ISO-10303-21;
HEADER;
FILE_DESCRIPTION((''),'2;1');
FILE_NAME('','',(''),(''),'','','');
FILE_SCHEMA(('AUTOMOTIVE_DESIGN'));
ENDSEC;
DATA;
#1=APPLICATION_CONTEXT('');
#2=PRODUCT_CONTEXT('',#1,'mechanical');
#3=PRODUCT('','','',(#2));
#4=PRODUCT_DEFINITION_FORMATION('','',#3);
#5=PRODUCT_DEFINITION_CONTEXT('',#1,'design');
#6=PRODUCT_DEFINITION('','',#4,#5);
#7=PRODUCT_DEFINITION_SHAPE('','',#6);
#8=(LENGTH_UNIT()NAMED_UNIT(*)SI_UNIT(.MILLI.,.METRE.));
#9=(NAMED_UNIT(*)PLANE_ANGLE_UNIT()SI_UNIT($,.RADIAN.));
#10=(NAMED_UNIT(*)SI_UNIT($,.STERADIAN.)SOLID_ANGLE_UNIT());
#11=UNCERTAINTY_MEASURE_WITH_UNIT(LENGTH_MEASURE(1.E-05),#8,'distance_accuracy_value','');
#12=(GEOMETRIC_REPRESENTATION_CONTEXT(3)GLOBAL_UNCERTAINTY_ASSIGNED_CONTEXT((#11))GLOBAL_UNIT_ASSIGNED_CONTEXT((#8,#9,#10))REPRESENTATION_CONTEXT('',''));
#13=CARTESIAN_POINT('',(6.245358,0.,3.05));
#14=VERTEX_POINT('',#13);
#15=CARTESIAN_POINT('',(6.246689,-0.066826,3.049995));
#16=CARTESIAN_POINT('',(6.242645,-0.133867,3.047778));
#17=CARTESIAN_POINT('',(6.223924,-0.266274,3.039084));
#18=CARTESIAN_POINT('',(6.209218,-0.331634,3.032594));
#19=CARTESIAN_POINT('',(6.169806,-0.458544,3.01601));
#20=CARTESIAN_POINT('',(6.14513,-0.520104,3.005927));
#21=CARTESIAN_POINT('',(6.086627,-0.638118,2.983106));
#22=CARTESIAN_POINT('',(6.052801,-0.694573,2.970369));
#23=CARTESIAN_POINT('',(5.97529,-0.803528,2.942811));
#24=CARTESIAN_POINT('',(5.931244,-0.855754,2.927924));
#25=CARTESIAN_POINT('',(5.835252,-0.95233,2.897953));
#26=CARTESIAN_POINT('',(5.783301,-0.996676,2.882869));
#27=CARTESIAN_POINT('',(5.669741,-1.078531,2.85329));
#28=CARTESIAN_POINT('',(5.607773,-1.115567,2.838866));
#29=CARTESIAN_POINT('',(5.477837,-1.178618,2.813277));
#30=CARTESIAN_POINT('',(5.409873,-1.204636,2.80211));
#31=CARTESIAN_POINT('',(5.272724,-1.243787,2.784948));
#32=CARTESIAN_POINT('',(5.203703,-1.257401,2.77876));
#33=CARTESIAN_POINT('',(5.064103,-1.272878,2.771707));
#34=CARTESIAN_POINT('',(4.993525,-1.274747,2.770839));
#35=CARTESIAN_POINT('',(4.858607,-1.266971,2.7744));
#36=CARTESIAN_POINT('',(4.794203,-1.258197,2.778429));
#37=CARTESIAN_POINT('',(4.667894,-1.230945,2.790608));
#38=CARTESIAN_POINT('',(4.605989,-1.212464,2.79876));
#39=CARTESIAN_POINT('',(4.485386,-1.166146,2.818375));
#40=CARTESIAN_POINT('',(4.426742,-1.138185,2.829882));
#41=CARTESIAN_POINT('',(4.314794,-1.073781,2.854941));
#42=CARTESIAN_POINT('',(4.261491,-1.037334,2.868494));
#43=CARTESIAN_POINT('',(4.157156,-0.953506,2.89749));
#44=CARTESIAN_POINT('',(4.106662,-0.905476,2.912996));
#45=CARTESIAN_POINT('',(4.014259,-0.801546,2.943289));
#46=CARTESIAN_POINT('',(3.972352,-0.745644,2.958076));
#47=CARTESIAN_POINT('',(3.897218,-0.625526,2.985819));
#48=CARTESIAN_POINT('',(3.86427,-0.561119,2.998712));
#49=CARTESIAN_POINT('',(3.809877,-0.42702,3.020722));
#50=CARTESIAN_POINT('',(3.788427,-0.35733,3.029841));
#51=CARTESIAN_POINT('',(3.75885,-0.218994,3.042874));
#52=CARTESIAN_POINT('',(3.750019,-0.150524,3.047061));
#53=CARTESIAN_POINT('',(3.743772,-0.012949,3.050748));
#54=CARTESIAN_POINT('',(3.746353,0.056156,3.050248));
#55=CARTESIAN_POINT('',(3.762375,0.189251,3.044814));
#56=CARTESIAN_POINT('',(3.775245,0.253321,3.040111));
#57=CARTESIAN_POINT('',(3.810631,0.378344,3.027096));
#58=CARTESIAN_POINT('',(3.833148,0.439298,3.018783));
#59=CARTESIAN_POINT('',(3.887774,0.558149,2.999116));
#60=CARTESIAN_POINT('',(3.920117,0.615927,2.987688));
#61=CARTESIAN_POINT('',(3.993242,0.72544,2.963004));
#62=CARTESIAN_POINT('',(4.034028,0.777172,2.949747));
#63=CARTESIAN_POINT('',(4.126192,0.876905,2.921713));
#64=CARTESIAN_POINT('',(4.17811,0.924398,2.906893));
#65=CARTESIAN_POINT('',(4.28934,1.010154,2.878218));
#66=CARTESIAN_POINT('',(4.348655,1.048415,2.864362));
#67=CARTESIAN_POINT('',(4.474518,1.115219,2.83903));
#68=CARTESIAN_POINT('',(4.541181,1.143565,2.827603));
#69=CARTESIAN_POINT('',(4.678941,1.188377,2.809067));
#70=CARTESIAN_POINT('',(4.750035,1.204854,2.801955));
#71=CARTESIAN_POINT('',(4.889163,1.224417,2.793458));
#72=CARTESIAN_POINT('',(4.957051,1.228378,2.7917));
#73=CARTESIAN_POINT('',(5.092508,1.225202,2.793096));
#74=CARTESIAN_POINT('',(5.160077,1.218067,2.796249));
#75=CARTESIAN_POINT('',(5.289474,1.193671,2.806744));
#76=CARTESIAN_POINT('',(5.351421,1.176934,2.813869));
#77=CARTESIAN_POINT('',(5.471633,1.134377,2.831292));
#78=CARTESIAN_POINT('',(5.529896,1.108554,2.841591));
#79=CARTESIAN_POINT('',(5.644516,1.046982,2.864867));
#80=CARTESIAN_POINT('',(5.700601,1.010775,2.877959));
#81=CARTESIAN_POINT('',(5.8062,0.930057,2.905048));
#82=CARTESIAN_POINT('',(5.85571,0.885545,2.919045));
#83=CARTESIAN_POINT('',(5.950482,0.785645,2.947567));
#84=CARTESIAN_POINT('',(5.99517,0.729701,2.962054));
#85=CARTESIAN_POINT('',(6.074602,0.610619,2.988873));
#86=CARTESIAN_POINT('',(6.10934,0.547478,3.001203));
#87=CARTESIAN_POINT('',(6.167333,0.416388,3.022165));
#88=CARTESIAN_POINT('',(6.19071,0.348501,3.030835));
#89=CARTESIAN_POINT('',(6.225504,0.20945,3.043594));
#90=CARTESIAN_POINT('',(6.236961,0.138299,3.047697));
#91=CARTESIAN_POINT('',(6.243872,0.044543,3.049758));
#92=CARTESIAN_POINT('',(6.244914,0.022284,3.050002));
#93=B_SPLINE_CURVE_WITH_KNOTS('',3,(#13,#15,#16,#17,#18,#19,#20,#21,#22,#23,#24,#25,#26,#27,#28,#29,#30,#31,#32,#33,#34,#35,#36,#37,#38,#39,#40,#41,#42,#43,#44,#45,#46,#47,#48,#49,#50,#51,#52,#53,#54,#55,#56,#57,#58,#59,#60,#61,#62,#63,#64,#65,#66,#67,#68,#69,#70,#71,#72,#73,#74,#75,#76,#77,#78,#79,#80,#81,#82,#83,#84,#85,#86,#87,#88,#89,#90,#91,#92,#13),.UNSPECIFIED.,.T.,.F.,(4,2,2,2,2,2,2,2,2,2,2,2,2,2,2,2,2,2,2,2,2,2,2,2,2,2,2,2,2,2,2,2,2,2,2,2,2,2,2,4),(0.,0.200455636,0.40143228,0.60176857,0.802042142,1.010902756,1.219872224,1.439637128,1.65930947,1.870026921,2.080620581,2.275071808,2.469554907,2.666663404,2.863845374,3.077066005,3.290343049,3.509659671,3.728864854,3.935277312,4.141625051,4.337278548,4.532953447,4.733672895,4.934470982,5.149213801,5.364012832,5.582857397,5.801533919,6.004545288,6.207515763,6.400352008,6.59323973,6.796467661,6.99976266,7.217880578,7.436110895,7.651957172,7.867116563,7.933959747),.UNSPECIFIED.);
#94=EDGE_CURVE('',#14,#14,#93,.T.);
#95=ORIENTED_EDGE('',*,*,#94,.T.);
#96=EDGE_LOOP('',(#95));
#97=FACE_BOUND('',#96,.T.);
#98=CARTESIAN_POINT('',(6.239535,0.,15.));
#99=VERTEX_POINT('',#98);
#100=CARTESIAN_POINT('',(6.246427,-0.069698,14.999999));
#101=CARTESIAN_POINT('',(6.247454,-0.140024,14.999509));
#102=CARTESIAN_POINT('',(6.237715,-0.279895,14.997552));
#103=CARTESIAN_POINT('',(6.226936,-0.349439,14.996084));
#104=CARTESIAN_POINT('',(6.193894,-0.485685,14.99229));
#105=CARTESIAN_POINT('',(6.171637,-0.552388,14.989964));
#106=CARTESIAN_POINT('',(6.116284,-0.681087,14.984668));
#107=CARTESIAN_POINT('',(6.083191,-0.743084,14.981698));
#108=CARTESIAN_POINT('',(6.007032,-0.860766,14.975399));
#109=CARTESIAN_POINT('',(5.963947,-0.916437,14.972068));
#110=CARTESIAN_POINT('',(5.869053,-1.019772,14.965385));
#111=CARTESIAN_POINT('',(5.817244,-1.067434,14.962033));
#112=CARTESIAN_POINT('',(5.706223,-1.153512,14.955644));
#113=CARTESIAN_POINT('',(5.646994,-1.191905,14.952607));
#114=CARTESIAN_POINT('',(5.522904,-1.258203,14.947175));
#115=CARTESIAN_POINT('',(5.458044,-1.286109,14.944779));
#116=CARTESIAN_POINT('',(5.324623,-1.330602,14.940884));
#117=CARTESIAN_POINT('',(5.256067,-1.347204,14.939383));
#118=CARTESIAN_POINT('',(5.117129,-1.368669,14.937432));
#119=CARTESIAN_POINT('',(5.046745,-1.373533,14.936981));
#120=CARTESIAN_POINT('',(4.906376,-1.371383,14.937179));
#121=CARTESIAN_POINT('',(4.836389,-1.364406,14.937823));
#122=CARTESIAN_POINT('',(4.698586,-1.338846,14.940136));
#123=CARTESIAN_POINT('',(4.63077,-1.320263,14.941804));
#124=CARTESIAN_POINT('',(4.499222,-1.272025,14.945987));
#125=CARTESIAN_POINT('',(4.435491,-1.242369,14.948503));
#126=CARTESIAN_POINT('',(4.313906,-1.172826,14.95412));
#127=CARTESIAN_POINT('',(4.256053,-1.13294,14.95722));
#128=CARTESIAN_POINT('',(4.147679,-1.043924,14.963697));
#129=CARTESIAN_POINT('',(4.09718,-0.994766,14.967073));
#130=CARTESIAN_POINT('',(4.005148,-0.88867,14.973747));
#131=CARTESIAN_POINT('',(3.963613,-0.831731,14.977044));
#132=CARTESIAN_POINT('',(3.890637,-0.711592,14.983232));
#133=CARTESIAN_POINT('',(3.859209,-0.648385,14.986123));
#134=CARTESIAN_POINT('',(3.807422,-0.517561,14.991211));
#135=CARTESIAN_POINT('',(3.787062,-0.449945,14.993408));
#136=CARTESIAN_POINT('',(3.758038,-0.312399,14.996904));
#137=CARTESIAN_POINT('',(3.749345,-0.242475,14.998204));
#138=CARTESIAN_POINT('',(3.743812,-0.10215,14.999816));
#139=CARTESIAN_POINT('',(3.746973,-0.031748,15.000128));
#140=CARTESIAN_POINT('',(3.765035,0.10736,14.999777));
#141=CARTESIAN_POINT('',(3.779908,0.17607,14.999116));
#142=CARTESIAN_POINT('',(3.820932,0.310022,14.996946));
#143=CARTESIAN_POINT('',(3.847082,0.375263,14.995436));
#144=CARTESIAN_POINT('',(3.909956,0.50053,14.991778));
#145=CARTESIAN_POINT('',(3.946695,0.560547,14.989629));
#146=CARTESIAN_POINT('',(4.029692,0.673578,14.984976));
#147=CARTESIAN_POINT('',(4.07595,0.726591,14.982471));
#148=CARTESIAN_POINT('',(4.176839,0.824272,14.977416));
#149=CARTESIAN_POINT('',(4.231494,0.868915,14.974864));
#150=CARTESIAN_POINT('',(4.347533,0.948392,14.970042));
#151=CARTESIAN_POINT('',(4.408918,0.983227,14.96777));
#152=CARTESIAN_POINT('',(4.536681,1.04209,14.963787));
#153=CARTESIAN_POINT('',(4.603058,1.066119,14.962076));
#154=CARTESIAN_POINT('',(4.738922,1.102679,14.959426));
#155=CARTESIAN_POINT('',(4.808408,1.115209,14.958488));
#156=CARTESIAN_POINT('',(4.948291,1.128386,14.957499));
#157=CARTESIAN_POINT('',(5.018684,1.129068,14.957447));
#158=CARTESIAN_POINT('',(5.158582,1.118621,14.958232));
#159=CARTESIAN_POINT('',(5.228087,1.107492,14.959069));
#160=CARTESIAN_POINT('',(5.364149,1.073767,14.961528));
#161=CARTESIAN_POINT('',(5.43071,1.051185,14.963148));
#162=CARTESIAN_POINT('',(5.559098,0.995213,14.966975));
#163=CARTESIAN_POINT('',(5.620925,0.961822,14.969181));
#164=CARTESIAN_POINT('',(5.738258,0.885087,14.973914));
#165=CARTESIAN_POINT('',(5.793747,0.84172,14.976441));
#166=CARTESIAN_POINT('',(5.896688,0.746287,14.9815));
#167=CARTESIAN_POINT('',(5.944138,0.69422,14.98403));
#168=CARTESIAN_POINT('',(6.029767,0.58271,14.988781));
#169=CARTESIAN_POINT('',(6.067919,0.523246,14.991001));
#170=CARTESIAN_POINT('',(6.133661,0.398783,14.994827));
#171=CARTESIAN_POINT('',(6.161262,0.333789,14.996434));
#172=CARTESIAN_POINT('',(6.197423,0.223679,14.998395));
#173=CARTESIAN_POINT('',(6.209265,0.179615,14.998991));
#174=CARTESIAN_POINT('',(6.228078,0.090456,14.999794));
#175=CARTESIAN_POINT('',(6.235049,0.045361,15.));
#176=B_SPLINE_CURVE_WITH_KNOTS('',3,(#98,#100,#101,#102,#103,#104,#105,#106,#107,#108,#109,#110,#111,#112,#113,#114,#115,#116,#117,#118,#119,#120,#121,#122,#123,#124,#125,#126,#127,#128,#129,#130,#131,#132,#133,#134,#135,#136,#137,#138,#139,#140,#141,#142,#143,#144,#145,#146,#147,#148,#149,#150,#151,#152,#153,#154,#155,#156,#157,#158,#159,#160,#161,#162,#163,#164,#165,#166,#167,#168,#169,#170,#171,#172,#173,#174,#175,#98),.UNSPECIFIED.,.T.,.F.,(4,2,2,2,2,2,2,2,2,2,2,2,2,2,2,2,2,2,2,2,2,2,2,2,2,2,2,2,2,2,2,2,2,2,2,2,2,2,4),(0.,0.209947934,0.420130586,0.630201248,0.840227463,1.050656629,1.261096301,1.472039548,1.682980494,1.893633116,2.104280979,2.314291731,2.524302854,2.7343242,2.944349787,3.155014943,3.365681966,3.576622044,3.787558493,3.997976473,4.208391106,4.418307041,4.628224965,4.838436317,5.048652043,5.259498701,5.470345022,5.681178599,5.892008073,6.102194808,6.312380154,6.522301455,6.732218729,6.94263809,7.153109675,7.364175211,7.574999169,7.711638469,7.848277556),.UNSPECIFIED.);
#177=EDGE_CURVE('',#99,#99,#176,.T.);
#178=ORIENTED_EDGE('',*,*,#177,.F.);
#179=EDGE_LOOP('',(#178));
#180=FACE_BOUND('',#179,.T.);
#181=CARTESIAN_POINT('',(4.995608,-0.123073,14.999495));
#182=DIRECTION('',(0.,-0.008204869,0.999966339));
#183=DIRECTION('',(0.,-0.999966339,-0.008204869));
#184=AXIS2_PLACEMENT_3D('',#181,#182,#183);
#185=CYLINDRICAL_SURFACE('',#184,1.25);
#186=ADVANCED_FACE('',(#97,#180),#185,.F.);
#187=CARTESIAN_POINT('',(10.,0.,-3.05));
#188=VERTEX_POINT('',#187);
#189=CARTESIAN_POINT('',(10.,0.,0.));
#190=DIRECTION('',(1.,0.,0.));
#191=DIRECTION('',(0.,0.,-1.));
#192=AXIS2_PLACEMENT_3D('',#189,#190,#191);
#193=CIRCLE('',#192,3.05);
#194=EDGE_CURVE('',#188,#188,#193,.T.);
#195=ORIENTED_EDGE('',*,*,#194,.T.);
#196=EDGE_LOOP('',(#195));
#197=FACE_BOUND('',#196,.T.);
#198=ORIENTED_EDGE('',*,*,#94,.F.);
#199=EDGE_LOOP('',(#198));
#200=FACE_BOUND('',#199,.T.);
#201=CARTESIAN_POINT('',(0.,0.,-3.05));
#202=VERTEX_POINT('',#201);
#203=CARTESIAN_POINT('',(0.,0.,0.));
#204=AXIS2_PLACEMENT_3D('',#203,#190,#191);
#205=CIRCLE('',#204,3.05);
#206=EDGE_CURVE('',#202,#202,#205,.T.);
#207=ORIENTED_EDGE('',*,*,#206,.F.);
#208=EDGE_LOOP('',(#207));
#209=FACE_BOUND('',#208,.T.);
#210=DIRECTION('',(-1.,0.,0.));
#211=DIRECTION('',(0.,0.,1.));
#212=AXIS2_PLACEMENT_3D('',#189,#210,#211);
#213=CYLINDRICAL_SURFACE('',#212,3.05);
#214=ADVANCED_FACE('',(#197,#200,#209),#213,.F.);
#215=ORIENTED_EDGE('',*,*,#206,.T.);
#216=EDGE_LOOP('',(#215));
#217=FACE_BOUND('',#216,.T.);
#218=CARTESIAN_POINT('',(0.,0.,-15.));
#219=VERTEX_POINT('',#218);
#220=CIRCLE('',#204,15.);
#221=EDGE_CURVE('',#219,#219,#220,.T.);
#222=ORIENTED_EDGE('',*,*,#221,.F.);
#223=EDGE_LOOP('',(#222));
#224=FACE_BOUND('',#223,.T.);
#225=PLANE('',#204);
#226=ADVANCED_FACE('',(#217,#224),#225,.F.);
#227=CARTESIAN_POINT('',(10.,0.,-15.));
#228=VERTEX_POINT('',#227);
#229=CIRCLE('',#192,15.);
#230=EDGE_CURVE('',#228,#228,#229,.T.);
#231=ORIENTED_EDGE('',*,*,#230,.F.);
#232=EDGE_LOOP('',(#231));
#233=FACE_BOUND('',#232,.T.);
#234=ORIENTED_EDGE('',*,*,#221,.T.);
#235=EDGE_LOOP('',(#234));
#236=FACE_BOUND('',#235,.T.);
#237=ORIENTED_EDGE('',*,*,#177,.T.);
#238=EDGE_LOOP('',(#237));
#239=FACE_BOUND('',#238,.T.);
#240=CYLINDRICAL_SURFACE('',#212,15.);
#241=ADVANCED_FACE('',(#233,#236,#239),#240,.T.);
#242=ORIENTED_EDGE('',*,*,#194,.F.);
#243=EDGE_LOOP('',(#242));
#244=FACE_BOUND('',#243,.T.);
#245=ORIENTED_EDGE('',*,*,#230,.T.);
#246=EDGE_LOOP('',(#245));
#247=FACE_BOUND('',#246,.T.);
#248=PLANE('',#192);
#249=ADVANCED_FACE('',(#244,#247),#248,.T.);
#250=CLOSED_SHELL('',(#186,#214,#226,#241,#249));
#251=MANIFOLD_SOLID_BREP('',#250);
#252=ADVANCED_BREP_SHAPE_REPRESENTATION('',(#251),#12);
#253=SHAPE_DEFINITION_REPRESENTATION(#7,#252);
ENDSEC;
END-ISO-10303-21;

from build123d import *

# Parameters (mm, degrees)
ESQUISSE1_R            = 15
ESQUISSE1_R_2          = 3.05
BOSS_EXTRU_1_DEPTH     = 10
TROU_TARAUD_M31_REACH  = 35.966
TROU_TARAUD_M31_BORE_R = 1.25


with BuildPart() as part:
    # Esquisse1 → Boss.-Extru.1 (new body)
    with BuildSketch(Plane(origin=(0, 0, 0), x_dir=(0, 0, -1), z_dir=(1, 0, 0))):
        Circle(ESQUISSE1_R)
        Circle(ESQUISSE1_R_2, mode=Mode.SUBTRACT)
    extrude(amount=BOSS_EXTRU_1_DEPTH)

    # Trou taraudé M31 bore (on position points) → Trou taraudé M31 (cut, up to next)
    with BuildSketch(Plane(origin=(4.995608071, -0.123073033, 14.999495092), x_dir=(0, 0.999966339497, 0.00820486885), z_dir=(0, -0.00820486885, 0.999966339497)), mode=Mode.PRIVATE) as trou_taraud_m31_sk1:
        Circle(TROU_TARAUD_M31_BORE_R)
    trou_taraud_m31_tool1 = extrude(trou_taraud_m31_sk1.sketch, amount=-TROU_TARAUD_M31_REACH, mode=Mode.PRIVATE) & part.part
    add(trou_taraud_m31_tool1.solids().sort_by_distance((4.995608, -0.123073, 14.999495))[0], mode=Mode.SUBTRACT)


solid = part.part
